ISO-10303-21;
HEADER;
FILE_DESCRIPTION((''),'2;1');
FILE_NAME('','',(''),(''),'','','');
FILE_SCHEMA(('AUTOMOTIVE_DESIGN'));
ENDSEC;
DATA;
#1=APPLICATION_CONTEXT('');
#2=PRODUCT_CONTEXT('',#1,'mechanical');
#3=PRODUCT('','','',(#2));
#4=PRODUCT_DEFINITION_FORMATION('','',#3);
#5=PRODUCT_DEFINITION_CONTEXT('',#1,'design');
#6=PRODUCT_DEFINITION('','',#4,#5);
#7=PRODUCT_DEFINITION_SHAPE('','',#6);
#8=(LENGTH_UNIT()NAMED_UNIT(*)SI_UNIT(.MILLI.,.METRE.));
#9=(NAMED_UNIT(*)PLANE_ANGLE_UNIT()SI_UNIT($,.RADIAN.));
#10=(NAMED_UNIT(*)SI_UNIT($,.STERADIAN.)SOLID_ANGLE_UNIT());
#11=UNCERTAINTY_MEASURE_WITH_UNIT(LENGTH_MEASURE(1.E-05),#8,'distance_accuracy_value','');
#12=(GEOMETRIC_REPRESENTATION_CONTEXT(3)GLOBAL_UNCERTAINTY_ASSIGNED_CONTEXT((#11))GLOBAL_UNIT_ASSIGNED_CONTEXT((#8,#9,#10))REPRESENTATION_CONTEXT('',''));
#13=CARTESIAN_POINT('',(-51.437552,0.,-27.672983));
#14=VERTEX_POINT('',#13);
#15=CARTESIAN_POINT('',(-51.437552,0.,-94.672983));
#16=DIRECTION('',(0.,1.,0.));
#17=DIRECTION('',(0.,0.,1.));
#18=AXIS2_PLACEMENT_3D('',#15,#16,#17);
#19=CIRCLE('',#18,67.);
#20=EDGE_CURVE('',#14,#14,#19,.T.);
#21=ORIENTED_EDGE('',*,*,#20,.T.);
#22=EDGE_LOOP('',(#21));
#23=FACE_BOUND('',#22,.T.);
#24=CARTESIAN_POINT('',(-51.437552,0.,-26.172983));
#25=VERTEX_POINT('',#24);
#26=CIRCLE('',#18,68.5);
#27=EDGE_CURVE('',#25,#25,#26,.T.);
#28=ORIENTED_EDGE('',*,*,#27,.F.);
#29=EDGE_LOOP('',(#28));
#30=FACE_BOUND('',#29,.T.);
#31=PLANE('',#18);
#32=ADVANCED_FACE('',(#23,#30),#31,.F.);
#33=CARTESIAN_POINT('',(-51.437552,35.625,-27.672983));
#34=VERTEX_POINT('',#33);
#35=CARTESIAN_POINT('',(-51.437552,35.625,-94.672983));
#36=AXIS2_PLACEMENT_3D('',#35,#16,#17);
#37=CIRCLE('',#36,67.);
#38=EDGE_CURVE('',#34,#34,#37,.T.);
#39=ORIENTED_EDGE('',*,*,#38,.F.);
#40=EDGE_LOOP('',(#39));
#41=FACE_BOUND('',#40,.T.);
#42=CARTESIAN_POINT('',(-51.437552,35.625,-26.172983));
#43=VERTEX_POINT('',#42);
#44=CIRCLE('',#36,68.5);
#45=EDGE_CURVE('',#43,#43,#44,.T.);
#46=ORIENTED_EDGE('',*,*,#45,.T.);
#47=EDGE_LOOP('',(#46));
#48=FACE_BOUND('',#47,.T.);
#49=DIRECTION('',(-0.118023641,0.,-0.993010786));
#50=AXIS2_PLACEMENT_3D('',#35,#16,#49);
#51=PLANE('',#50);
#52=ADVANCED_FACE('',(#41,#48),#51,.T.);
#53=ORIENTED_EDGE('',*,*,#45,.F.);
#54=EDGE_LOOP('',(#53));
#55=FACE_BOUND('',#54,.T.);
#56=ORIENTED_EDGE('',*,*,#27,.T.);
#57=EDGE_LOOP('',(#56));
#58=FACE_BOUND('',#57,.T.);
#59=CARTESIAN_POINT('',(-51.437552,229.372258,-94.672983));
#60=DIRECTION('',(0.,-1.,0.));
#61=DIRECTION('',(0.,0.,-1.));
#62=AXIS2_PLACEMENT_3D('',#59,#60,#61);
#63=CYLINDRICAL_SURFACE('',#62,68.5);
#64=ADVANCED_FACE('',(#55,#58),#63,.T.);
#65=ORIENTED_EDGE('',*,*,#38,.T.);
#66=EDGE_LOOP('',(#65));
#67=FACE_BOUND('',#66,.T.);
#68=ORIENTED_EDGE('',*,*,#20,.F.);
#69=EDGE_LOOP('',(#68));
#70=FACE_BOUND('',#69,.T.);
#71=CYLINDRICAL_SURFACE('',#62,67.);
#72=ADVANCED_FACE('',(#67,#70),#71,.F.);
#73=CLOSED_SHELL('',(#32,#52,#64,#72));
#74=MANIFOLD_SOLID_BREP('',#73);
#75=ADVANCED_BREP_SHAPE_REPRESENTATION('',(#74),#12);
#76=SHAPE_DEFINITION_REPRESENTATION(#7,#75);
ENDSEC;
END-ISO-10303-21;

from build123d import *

# Parameters (mm, degrees)
SKETCH1_R           = 68.5
SKETCH1_R_2         = 67
BOSS_EXTRUDE1_DEPTH = 35.625


with BuildPart() as part:
    # Sketch1 → Boss-Extrude1 (new body)
    with BuildSketch(Plane(origin=(0, 0, 0), x_dir=(1, 0, 0), z_dir=(0, 1, 0))):
        with Locations(Location((-51.437551504, 94.672983018, 0), (0, 0, 270))):
            Circle(SKETCH1_R)
        with Locations(Location((-51.437551504, 94.672983018, 0), (0, 0, 270))):
            Circle(SKETCH1_R_2, mode=Mode.SUBTRACT)
    extrude(amount=BOSS_EXTRUDE1_DEPTH)


solid = part.part
